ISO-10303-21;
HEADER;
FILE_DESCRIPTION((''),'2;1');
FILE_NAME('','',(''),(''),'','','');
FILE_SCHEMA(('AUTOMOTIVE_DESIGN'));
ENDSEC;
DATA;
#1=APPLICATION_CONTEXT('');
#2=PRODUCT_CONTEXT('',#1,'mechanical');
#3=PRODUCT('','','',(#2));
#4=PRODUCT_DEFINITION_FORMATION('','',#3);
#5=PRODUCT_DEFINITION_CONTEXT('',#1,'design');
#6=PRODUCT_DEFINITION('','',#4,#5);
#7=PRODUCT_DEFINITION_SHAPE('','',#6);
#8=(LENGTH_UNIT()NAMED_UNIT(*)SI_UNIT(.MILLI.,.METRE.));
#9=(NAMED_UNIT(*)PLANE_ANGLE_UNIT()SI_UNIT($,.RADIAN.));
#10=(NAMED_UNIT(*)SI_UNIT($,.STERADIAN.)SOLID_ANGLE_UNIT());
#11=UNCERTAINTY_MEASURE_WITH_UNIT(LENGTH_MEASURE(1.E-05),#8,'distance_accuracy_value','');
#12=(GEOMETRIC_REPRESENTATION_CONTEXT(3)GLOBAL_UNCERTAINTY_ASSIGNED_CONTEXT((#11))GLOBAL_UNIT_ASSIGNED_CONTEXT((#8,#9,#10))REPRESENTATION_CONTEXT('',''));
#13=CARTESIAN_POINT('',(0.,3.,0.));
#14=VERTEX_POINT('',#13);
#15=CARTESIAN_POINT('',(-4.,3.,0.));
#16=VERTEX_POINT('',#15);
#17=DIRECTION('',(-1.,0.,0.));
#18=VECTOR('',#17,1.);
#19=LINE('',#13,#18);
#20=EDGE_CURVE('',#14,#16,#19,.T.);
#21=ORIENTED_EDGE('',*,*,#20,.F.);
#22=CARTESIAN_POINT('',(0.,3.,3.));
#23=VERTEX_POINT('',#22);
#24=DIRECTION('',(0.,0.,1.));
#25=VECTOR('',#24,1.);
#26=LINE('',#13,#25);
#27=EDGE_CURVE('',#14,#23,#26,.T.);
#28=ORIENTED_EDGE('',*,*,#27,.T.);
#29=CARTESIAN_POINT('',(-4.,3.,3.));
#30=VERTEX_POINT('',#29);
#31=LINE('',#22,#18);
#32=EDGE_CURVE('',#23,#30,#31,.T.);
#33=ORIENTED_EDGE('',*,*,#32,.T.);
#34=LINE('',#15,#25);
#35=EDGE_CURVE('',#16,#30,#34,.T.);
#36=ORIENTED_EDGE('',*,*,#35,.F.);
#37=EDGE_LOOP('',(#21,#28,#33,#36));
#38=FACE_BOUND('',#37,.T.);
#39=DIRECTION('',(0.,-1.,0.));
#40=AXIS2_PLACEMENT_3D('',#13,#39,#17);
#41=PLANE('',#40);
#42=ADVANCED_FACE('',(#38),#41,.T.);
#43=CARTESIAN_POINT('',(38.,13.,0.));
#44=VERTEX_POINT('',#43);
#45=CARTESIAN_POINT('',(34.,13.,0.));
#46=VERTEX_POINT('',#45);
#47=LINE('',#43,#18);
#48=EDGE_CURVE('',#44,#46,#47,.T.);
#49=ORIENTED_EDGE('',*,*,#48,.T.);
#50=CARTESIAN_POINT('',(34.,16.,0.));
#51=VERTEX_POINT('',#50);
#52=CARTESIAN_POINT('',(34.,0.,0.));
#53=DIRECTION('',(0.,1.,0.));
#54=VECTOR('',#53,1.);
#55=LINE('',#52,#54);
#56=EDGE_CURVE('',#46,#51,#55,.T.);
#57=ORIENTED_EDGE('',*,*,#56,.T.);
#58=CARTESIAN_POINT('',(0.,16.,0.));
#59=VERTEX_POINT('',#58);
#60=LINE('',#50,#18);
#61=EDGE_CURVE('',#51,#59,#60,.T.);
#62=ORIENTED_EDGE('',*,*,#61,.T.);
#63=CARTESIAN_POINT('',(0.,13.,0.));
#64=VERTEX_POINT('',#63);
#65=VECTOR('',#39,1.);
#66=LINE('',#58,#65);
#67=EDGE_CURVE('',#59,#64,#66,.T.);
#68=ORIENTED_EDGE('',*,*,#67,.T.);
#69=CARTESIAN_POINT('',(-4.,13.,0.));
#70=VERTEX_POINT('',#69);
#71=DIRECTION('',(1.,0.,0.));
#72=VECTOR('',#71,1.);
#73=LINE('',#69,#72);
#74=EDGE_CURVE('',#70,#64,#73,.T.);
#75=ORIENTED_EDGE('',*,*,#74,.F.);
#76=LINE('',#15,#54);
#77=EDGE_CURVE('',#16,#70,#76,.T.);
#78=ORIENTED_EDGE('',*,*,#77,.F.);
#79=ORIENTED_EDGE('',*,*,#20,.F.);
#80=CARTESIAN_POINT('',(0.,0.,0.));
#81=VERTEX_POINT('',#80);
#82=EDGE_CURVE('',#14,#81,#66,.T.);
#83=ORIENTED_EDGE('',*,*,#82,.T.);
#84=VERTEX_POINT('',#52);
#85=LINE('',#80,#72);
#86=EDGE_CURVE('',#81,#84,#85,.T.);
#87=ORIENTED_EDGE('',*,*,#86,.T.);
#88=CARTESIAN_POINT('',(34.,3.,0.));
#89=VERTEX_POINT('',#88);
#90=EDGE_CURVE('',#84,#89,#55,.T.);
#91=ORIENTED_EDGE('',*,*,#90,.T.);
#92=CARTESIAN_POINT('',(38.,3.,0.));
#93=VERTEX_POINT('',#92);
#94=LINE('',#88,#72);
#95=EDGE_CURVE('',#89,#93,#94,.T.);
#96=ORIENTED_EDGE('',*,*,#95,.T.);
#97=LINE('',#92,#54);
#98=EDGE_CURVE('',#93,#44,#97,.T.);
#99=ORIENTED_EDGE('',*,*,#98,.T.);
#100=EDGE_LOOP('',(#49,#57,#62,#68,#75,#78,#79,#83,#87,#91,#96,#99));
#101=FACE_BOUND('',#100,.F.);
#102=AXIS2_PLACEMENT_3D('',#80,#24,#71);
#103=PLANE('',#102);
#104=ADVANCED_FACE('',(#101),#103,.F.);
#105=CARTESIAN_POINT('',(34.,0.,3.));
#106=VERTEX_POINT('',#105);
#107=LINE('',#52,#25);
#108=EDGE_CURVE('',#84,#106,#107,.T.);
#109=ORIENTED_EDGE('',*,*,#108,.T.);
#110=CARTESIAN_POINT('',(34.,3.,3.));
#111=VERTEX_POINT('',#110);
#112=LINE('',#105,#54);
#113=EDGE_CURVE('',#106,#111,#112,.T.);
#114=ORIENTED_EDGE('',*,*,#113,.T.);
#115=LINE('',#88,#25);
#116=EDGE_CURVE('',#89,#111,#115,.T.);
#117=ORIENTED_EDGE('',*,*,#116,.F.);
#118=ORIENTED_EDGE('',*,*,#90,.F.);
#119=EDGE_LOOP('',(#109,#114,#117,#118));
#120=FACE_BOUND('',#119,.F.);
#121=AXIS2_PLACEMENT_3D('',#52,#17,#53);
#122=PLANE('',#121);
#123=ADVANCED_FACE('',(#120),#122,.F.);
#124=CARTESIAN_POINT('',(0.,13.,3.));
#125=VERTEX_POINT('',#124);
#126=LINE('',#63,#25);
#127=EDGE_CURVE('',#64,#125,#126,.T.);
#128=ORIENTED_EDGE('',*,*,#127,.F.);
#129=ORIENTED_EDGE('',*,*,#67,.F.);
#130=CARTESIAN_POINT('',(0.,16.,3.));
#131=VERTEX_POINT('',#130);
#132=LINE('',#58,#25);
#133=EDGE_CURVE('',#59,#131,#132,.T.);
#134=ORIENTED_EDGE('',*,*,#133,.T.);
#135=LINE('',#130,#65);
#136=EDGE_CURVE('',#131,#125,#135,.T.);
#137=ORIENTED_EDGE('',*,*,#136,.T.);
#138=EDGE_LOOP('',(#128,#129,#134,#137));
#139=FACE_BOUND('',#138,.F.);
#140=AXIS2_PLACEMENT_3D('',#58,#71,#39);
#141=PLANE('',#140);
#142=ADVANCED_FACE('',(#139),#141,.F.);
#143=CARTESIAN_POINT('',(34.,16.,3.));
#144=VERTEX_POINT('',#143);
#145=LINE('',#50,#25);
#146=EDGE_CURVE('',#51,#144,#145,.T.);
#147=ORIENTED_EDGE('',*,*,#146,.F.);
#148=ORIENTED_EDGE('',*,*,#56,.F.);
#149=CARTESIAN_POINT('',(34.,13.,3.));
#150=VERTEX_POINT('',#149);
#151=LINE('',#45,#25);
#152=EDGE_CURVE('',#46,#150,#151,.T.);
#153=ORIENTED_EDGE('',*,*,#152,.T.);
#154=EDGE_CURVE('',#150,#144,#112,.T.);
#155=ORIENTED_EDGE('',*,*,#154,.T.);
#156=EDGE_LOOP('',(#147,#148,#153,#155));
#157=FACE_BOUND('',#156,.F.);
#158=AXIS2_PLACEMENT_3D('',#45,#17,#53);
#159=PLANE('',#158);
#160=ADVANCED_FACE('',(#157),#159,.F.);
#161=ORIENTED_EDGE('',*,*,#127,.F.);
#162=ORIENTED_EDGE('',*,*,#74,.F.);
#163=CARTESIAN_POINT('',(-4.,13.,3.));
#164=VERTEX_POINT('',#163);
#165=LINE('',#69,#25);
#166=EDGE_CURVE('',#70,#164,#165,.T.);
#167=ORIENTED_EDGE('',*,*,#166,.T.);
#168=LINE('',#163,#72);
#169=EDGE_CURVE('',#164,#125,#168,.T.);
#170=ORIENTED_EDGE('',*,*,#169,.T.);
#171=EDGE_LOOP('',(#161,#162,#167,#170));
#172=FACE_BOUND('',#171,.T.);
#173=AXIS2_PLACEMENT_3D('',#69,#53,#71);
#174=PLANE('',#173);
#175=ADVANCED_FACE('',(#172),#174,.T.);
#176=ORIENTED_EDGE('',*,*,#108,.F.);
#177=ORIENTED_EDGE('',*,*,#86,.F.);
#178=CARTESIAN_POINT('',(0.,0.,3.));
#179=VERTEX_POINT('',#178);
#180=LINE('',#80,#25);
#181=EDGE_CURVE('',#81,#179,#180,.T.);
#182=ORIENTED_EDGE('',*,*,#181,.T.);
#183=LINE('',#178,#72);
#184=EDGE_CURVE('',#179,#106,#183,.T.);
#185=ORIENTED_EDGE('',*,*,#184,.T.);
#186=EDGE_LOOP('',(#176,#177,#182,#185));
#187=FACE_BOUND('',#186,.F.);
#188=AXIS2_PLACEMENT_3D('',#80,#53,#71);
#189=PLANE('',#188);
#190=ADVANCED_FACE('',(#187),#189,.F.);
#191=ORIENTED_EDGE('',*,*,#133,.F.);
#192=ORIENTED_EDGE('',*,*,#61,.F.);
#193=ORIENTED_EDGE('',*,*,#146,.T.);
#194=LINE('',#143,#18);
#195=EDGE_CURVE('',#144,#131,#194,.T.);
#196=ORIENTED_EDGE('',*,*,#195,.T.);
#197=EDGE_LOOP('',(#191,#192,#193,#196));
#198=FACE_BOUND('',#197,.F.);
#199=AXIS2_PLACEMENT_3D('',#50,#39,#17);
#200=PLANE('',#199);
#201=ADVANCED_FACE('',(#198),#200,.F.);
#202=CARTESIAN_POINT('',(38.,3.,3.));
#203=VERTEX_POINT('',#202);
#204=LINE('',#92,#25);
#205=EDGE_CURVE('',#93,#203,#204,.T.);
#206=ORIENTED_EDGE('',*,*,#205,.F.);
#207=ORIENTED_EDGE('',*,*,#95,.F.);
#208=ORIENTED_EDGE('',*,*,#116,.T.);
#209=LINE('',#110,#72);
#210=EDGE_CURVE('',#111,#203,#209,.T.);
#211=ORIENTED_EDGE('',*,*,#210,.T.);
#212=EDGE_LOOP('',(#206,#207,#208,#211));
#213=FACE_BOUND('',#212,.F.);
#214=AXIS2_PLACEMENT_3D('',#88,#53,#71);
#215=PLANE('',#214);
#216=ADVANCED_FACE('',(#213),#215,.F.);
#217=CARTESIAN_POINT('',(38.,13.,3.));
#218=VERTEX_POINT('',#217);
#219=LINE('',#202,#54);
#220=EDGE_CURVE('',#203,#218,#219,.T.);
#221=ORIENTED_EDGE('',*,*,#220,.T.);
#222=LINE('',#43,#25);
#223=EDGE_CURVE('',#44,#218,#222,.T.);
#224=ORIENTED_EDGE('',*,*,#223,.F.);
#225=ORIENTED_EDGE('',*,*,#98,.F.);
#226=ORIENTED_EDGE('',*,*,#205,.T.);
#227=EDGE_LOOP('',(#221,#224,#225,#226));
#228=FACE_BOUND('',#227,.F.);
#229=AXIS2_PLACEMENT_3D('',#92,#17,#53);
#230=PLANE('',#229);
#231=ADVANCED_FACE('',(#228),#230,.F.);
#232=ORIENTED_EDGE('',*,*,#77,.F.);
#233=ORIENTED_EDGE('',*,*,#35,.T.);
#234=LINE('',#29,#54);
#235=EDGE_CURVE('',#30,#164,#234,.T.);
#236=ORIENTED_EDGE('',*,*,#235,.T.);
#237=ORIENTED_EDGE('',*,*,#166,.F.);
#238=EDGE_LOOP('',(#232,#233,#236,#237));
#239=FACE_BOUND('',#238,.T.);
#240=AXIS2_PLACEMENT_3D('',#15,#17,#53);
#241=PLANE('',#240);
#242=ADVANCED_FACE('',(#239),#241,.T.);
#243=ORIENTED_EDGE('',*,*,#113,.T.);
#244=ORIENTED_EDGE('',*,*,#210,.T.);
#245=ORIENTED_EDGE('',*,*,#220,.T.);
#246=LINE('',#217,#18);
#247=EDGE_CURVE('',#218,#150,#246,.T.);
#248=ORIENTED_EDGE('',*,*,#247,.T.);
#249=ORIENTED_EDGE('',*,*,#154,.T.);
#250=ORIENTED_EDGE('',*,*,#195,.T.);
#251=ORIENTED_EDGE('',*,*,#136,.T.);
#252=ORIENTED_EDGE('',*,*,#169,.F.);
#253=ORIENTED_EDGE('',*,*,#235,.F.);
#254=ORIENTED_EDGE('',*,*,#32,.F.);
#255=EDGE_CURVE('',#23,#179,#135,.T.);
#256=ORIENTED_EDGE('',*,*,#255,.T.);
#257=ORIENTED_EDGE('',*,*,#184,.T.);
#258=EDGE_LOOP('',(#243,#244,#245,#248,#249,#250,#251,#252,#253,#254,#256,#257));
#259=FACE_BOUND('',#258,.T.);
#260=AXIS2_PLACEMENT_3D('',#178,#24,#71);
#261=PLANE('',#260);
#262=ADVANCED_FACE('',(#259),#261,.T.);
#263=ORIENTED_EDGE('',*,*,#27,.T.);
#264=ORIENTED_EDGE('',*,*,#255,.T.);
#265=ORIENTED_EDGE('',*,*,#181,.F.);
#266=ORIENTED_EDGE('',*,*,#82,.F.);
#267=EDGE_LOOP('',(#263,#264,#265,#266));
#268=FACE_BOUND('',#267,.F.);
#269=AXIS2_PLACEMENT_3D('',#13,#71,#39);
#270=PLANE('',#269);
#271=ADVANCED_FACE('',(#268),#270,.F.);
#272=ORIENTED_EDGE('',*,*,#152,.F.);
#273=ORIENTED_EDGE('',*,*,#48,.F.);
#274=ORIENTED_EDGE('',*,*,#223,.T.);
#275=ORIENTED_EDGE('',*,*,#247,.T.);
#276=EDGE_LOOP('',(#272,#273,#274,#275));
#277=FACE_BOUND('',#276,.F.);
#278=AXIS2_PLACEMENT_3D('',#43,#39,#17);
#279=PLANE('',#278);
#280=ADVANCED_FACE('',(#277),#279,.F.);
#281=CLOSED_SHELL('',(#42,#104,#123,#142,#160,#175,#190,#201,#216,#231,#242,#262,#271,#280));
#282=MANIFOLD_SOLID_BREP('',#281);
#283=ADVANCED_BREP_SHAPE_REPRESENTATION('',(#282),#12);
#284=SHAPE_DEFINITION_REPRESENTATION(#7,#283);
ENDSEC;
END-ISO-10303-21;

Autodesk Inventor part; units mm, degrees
ref_plane "YZ Plane" through (0, 0, 0) normal (1, 0, 0) x (0, 1, 0)
ref_plane "XZ Plane" through (0, 0, 0) normal (0, 1, 0) x (-1, 0, 0)
ref_plane "XY Plane" through (0, 0, 0) normal (0, 0, 1) x (1, 0, 0)
sketch "Sketch1" plane through (0, 0, 0) normal (0, 0, 1) x (1, 0, 0)
  line L0 (0, 0) -> (34, 0)
  line L1 (34, 0) -> (34, 16)
  line L2 (34, 16) -> (0, 16)
  line L3 (0, 16) -> (0, 0)
  line L4 (-4, 13) -> (0, 13)
  line L5 (0, 13) -> (0, 3)
  line L6 (0, 3) -> (-4, 3)
  line L7 (-4, 3) -> (-4, 13)
  line L8 (-4, 13) -> (0, 3) construction
  line L9 (0, 13) -> (-4, 3) construction
  line L10 (38, 13) -> (34, 13)
  line L11 (34, 13) -> (34, 3)
  line L12 (34, 3) -> (38, 3)
  line L13 (38, 3) -> (38, 13)
  line L14 (38, 13) -> (34, 3) construction
  line L15 (34, 13) -> (38, 3) construction
  point P0 (-2, 8)
  point P1 (36, 8)
  point P2 (0, 8)
  point P3 (0, 8)
  point P4 (0, 13)
  dimension "d0" = 34
  dimension "d1" = 16
  dimension "d2" = 4
  dimension "d3" = 4
  dimension "d4" = 10
  dimension "d5" = 10
extrude "Extrusion1" add sketch "Sketch1" along normal blind 3
properties part number "Frontrail"
